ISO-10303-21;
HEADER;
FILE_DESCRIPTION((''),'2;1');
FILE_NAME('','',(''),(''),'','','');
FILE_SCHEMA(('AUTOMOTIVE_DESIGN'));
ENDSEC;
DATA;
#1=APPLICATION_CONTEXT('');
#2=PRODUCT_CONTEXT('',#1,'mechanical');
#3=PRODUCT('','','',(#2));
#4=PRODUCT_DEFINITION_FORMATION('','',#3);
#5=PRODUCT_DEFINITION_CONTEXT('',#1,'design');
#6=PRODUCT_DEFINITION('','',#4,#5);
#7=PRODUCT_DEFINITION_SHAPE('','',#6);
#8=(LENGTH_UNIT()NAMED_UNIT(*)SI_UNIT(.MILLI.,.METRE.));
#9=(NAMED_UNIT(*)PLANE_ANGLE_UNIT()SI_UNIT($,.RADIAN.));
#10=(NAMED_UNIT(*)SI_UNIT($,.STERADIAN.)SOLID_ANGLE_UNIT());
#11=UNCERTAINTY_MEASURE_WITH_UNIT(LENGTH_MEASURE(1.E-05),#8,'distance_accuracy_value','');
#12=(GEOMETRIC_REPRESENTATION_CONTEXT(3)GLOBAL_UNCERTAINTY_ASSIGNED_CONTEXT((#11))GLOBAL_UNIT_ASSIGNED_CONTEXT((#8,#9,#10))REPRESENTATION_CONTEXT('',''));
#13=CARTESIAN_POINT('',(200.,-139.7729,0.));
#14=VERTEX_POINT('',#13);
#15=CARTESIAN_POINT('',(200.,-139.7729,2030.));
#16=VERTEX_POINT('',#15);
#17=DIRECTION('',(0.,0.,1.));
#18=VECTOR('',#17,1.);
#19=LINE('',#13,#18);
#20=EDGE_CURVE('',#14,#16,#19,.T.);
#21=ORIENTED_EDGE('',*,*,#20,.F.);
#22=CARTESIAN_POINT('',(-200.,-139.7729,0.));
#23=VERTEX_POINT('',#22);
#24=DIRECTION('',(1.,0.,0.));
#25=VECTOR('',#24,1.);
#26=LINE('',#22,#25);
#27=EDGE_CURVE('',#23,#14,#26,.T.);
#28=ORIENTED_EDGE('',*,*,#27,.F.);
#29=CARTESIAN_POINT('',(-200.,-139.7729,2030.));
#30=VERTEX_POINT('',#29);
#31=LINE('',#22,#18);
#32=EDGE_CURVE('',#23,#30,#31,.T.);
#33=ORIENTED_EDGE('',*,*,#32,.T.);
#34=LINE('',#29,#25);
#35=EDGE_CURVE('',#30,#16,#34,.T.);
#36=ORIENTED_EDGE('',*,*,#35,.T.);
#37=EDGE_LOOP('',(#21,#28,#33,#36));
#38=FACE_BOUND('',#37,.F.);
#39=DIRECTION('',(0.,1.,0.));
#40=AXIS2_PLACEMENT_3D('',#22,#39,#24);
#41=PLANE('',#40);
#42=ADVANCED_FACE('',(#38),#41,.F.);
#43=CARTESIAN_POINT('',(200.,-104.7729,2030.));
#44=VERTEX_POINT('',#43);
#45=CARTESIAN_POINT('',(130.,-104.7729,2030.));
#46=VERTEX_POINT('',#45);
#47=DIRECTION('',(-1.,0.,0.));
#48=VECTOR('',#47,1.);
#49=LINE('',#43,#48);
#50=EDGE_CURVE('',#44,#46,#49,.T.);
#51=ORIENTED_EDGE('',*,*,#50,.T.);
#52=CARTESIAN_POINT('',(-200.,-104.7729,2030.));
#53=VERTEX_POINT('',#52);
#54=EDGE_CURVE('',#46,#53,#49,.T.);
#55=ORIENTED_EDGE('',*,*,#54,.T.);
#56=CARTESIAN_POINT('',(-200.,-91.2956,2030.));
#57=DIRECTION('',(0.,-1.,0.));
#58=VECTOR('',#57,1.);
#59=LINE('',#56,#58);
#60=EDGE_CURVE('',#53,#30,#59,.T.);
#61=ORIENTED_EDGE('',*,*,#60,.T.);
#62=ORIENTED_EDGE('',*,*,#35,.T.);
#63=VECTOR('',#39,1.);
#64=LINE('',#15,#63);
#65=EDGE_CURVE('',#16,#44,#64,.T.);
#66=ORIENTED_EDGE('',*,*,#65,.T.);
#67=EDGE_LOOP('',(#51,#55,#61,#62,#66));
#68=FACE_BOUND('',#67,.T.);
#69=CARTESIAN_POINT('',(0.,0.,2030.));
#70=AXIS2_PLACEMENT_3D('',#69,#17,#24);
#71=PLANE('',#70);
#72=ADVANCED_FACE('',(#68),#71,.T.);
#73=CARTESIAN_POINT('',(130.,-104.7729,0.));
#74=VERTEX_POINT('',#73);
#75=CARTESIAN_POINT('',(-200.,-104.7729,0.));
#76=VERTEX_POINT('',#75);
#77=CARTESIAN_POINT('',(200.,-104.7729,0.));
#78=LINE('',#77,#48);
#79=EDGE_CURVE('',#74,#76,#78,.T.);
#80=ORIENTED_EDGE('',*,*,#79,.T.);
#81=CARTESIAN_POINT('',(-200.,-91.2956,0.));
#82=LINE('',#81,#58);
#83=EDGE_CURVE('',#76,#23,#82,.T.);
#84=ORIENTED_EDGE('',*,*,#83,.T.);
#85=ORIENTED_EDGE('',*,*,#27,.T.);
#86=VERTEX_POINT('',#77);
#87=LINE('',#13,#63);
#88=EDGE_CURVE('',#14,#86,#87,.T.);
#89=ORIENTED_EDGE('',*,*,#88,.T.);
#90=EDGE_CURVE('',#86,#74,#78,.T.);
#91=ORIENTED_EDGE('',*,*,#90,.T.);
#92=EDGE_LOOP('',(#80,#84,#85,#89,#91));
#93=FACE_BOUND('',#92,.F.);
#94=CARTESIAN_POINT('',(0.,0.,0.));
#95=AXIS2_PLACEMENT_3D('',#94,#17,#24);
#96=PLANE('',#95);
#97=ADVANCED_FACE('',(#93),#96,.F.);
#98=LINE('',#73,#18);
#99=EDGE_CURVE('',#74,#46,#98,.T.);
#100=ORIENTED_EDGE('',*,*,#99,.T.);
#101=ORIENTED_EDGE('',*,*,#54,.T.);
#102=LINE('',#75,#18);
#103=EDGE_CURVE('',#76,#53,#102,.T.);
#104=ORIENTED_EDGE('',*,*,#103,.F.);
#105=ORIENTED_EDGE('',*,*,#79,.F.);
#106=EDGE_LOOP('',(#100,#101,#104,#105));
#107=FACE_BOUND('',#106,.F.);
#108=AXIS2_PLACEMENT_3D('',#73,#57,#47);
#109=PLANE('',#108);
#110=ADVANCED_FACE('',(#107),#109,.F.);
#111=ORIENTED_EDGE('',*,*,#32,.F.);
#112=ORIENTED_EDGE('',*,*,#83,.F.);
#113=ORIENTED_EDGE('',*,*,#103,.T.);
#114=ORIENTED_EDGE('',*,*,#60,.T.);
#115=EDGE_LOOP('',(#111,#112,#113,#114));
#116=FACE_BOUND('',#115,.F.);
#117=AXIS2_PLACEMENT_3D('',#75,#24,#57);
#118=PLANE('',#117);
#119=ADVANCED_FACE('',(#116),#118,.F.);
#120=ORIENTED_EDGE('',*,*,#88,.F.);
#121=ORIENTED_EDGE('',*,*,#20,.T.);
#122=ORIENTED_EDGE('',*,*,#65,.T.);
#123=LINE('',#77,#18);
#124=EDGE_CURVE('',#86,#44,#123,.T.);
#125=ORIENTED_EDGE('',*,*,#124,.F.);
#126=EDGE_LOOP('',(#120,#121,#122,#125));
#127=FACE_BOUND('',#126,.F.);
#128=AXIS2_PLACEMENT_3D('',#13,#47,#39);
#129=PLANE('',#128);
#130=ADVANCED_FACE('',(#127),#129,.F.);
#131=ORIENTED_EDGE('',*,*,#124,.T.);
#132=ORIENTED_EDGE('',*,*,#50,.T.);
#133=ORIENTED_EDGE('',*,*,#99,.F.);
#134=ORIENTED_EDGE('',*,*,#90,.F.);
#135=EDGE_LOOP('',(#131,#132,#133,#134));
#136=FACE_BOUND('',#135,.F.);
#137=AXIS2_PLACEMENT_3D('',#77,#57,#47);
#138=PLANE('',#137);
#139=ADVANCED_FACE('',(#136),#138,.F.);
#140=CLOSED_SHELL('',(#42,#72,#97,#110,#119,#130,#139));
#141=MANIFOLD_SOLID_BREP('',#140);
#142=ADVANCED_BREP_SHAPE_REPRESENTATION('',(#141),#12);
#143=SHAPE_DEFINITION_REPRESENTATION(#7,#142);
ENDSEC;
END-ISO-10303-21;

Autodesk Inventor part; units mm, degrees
ref_plane "YZ Plane" through (0, 0, 0) normal (1, 0, 0) x (0, 1, 0)
ref_plane "XZ Plane" through (0, 0, 0) normal (0, 1, 0) x (-1, 0, 0)
ref_plane "XY Plane" through (0, 0, 0) normal (0, 0, 1) x (1, 0, 0)
ref_plane "Work Plane1" through (0, 0, 0) normal (0, 0, 1) x (1, 0, 0)
sketch "Sketch1" plane through (0, 0, 0) normal (0, 0, 1) x (1, 0, 0)
  line L0 (-270, -89.7729) -> (-720, -193.6636) projected
  line L1 (-720, -193.6636) -> (-708.7524, -242.3821) projected
  line L2 (-708.7524, -242.3821) -> (-264.3032, -139.7729) projected
  line L3 (-200, -139.7729) -> (-264.3032, -139.7729) projected
  line L4 (-200, -91.2956) -> (-200, -139.7729) projected
  line L5 (130, 139.7729) -> (-200, -91.2956) projected
  line L6 (130, -104.7729) -> (130, 139.7729) projected
  line L7 (200, -104.7729) -> (130, -104.7729) projected
  line L8 (200, 275.2271) -> (200, -104.7729) projected
  line L9 (130, 275.2271) -> (200, 275.2271) projected
  line L10 (130, 225.2271) -> (130, 275.2271) projected
  line L11 (-200, -5.8414) -> (130, 225.2271) projected
  line L12 (-200, 310.2271) -> (-200, -5.8414) projected
  line L13 (-270, 310.2271) -> (-200, 310.2271) projected
  line L14 (-270, -89.7729) -> (-270, 310.2271) projected
  arc A0 (-230, -34.7729) -> (-240, -24.7729) centre (-240, -34.7729) ccw projected
  line L15 (-230, -34.7729) -> (-230, -74.7729) projected
  arc A1 (-240, -84.7729) -> (-230, -74.7729) centre (-240, -74.7729) ccw projected
  line L16 (-240, -84.7729) -> (-250, -84.7729) projected
  arc A2 (-260, -74.7729) -> (-250, -84.7729) centre (-250, -74.7729) ccw projected
  line L17 (-260, -74.7729) -> (-260, -34.7729) projected
  arc A3 (-250, -24.7729) -> (-260, -34.7729) centre (-250, -34.7729) ccw projected
  line L18 (-250, -24.7729) -> (-240, -24.7729) projected
  arc A4 (-230, 225.2271) -> (-240, 235.2271) centre (-240, 225.2271) ccw projected
  line L19 (-230, 225.2271) -> (-230, 185.2271) projected
  arc A5 (-240, 175.2271) -> (-230, 185.2271) centre (-240, 185.2271) ccw projected
  line L20 (-240, 175.2271) -> (-250, 175.2271) projected
  arc A6 (-260, 185.2271) -> (-250, 175.2271) centre (-250, 185.2271) ccw projected
  line L21 (-260, 185.2271) -> (-260, 225.2271) projected
  arc A7 (-250, 235.2271) -> (-260, 225.2271) centre (-250, 225.2271) ccw projected
  line L22 (-250, 235.2271) -> (-240, 235.2271) projected
  arc A8 (-230, 160.2271) -> (-240, 170.2271) centre (-240, 160.2271) ccw projected
  line L23 (-230, 160.2271) -> (-230, 120.2271) projected
  arc A9 (-240, 110.2271) -> (-230, 120.2271) centre (-240, 120.2271) ccw projected
  line L24 (-240, 110.2271) -> (-250, 110.2271) projected
  arc A10 (-260, 120.2271) -> (-250, 110.2271) centre (-250, 120.2271) ccw projected
  line L25 (-260, 120.2271) -> (-260, 160.2271) projected
  arc A11 (-250, 170.2271) -> (-260, 160.2271) centre (-250, 160.2271) ccw projected
  line L26 (-250, 170.2271) -> (-240, 170.2271) projected
  arc A12 (-230, 30.2271) -> (-240, 40.2271) centre (-240, 30.2271) ccw projected
  line L27 (-230, 30.2271) -> (-230, -9.7729) projected
  arc A13 (-240, -19.7729) -> (-230, -9.7729) centre (-240, -9.7729) ccw projected
  line L28 (-240, -19.7729) -> (-250, -19.7729) projected
  arc A14 (-260, -9.7729) -> (-250, -19.7729) centre (-250, -9.7729) ccw projected
  line L29 (-260, -9.7729) -> (-260, 30.2271) projected
  arc A15 (-250, 40.2271) -> (-260, 30.2271) centre (-250, 30.2271) ccw projected
  line L30 (-250, 40.2271) -> (-240, 40.2271) projected
  arc A16 (-230, 290.2271) -> (-240, 300.2271) centre (-240, 290.2271) ccw projected
  line L31 (-230, 290.2271) -> (-230, 250.2271) projected
  arc A17 (-240, 240.2271) -> (-230, 250.2271) centre (-240, 250.2271) ccw projected
  line L32 (-240, 240.2271) -> (-250, 240.2271) projected
  arc A18 (-260, 250.2271) -> (-250, 240.2271) centre (-250, 250.2271) ccw projected
  line L33 (-260, 250.2271) -> (-260, 290.2271) projected
  arc A19 (-250, 300.2271) -> (-260, 290.2271) centre (-250, 290.2271) ccw projected
  line L34 (-250, 300.2271) -> (-240, 300.2271) projected
  arc A20 (-230, 95.2271) -> (-240, 105.2271) centre (-240, 95.2271) ccw projected
  line L35 (-230, 95.2271) -> (-230, 55.2271) projected
  arc A21 (-240, 45.2271) -> (-230, 55.2271) centre (-240, 55.2271) ccw projected
  line L36 (-240, 45.2271) -> (-250, 45.2271) projected
  arc A22 (-260, 55.2271) -> (-250, 45.2271) centre (-250, 55.2271) ccw projected
  line L37 (-260, 55.2271) -> (-260, 95.2271) projected
  arc A23 (-250, 105.2271) -> (-260, 95.2271) centre (-250, 95.2271) ccw projected
  line L38 (-250, 105.2271) -> (-240, 105.2271) projected
  line L39 (-200, -139.7729) -> (-200, -91.2956) projected
  line L40 (-200, -139.7729) -> (200, -139.7729) projected
  line L41 (200, -139.7729) -> (200, -104.7729) projected
  line L42 (130, -104.7729) -> (200, -104.7729) projected
  line L43 (130, 139.7729) -> (130, -104.7729) projected
  line L44 (-200, -91.2956) -> (130, 139.7729) projected
  line L45 (200, 275.2271) -> (200, 310.2271) projected
  line L46 (200, 310.2271) -> (-200, 310.2271) projected
  line L47 (-200, -5.8414) -> (-200, 310.2271) projected
  line L48 (130, 225.2271) -> (-200, -5.8414) projected
  line L49 (130, 275.2271) -> (130, 225.2271) projected
  line L50 (200, 275.2271) -> (130, 275.2271) projected
  line L51 (200, -104.7729) -> (-200, -104.7729)
  line L52 (-200, -104.7729) -> (-200, -139.7729)
  line L53 (-200, -139.7729) -> (200, -139.7729)
  line L54 (200, -139.7729) -> (200, -104.7729)
  point P0 (0, 0)
  point P1 (-200, -104.7729)
extrude "Extrusion1" add sketch "Sketch1" along normal blind 2030 contours L4 L51 L7 L41 L40
properties part number "base-back"
